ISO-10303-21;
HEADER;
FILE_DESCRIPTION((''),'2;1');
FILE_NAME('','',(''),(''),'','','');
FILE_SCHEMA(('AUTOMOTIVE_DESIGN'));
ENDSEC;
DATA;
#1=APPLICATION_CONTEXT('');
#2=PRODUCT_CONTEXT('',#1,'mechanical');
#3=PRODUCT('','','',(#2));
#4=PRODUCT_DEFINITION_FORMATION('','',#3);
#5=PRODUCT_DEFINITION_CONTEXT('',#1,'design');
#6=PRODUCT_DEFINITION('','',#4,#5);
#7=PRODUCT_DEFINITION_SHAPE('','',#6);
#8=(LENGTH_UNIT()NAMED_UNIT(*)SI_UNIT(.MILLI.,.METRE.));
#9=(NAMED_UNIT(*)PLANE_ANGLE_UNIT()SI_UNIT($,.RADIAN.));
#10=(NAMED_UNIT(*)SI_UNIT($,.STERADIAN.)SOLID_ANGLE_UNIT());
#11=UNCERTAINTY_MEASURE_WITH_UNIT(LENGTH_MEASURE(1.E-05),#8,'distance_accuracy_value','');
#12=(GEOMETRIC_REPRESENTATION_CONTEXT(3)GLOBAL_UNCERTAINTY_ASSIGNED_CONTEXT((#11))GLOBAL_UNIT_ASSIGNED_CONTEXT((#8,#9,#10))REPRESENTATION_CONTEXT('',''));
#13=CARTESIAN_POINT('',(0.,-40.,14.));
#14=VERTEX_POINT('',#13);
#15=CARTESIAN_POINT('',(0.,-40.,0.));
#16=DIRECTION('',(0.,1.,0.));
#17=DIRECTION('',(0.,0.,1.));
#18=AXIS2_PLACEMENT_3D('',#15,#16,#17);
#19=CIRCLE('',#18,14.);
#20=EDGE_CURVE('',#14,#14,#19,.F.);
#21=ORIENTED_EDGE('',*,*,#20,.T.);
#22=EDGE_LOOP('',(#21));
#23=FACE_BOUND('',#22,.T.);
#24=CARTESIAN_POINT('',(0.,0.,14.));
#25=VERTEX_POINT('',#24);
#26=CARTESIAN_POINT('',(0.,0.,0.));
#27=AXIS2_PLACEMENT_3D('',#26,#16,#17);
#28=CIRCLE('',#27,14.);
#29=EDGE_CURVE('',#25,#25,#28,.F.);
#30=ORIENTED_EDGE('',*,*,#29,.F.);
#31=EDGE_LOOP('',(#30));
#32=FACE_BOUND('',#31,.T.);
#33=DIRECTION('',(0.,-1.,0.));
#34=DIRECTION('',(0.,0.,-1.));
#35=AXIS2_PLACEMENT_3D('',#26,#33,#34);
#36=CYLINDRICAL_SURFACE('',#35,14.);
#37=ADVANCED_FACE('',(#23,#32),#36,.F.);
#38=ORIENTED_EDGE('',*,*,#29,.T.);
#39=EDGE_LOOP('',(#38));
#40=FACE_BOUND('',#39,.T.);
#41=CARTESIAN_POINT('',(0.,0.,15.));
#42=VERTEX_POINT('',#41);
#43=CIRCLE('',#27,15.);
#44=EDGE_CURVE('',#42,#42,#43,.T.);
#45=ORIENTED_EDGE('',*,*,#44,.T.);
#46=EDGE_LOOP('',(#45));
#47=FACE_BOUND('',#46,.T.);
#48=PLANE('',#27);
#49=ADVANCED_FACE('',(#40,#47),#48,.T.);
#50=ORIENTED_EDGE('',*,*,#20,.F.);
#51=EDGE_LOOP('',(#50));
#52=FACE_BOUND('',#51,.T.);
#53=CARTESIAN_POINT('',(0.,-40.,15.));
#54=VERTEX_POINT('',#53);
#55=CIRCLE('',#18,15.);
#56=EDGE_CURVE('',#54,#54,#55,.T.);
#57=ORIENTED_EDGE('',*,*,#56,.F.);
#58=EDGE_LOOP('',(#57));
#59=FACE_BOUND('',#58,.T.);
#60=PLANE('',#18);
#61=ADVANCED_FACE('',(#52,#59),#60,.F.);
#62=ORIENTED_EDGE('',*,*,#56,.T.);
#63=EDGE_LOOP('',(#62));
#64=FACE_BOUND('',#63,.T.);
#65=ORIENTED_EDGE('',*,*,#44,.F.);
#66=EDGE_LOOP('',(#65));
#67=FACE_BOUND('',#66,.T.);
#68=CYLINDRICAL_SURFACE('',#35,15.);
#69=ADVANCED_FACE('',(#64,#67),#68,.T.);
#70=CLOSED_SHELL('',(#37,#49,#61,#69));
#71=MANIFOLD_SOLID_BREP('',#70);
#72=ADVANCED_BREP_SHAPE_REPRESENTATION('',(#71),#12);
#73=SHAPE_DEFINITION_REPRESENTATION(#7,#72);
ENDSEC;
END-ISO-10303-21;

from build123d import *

# Parameters (mm, degrees)
ESBO_O1_R   = 15
ESBO_O1_R_2 = 14


with BuildPart() as part:
    # Varredura1: sweep along a path in Esboço2
    with BuildLine(Plane.XY) as varredura1_path:
        Line((0, 0), (0, -40))
    # Esboço1 → Varredura1 (sweep)
    with BuildSketch(Plane(origin=(0, 0, 0), x_dir=(1, 0, 0), z_dir=(0, 1, 0))):
        Circle(ESBO_O1_R)
        Circle(ESBO_O1_R_2, mode=Mode.SUBTRACT)
    sweep(path=varredura1_path.line)


solid = part.part
